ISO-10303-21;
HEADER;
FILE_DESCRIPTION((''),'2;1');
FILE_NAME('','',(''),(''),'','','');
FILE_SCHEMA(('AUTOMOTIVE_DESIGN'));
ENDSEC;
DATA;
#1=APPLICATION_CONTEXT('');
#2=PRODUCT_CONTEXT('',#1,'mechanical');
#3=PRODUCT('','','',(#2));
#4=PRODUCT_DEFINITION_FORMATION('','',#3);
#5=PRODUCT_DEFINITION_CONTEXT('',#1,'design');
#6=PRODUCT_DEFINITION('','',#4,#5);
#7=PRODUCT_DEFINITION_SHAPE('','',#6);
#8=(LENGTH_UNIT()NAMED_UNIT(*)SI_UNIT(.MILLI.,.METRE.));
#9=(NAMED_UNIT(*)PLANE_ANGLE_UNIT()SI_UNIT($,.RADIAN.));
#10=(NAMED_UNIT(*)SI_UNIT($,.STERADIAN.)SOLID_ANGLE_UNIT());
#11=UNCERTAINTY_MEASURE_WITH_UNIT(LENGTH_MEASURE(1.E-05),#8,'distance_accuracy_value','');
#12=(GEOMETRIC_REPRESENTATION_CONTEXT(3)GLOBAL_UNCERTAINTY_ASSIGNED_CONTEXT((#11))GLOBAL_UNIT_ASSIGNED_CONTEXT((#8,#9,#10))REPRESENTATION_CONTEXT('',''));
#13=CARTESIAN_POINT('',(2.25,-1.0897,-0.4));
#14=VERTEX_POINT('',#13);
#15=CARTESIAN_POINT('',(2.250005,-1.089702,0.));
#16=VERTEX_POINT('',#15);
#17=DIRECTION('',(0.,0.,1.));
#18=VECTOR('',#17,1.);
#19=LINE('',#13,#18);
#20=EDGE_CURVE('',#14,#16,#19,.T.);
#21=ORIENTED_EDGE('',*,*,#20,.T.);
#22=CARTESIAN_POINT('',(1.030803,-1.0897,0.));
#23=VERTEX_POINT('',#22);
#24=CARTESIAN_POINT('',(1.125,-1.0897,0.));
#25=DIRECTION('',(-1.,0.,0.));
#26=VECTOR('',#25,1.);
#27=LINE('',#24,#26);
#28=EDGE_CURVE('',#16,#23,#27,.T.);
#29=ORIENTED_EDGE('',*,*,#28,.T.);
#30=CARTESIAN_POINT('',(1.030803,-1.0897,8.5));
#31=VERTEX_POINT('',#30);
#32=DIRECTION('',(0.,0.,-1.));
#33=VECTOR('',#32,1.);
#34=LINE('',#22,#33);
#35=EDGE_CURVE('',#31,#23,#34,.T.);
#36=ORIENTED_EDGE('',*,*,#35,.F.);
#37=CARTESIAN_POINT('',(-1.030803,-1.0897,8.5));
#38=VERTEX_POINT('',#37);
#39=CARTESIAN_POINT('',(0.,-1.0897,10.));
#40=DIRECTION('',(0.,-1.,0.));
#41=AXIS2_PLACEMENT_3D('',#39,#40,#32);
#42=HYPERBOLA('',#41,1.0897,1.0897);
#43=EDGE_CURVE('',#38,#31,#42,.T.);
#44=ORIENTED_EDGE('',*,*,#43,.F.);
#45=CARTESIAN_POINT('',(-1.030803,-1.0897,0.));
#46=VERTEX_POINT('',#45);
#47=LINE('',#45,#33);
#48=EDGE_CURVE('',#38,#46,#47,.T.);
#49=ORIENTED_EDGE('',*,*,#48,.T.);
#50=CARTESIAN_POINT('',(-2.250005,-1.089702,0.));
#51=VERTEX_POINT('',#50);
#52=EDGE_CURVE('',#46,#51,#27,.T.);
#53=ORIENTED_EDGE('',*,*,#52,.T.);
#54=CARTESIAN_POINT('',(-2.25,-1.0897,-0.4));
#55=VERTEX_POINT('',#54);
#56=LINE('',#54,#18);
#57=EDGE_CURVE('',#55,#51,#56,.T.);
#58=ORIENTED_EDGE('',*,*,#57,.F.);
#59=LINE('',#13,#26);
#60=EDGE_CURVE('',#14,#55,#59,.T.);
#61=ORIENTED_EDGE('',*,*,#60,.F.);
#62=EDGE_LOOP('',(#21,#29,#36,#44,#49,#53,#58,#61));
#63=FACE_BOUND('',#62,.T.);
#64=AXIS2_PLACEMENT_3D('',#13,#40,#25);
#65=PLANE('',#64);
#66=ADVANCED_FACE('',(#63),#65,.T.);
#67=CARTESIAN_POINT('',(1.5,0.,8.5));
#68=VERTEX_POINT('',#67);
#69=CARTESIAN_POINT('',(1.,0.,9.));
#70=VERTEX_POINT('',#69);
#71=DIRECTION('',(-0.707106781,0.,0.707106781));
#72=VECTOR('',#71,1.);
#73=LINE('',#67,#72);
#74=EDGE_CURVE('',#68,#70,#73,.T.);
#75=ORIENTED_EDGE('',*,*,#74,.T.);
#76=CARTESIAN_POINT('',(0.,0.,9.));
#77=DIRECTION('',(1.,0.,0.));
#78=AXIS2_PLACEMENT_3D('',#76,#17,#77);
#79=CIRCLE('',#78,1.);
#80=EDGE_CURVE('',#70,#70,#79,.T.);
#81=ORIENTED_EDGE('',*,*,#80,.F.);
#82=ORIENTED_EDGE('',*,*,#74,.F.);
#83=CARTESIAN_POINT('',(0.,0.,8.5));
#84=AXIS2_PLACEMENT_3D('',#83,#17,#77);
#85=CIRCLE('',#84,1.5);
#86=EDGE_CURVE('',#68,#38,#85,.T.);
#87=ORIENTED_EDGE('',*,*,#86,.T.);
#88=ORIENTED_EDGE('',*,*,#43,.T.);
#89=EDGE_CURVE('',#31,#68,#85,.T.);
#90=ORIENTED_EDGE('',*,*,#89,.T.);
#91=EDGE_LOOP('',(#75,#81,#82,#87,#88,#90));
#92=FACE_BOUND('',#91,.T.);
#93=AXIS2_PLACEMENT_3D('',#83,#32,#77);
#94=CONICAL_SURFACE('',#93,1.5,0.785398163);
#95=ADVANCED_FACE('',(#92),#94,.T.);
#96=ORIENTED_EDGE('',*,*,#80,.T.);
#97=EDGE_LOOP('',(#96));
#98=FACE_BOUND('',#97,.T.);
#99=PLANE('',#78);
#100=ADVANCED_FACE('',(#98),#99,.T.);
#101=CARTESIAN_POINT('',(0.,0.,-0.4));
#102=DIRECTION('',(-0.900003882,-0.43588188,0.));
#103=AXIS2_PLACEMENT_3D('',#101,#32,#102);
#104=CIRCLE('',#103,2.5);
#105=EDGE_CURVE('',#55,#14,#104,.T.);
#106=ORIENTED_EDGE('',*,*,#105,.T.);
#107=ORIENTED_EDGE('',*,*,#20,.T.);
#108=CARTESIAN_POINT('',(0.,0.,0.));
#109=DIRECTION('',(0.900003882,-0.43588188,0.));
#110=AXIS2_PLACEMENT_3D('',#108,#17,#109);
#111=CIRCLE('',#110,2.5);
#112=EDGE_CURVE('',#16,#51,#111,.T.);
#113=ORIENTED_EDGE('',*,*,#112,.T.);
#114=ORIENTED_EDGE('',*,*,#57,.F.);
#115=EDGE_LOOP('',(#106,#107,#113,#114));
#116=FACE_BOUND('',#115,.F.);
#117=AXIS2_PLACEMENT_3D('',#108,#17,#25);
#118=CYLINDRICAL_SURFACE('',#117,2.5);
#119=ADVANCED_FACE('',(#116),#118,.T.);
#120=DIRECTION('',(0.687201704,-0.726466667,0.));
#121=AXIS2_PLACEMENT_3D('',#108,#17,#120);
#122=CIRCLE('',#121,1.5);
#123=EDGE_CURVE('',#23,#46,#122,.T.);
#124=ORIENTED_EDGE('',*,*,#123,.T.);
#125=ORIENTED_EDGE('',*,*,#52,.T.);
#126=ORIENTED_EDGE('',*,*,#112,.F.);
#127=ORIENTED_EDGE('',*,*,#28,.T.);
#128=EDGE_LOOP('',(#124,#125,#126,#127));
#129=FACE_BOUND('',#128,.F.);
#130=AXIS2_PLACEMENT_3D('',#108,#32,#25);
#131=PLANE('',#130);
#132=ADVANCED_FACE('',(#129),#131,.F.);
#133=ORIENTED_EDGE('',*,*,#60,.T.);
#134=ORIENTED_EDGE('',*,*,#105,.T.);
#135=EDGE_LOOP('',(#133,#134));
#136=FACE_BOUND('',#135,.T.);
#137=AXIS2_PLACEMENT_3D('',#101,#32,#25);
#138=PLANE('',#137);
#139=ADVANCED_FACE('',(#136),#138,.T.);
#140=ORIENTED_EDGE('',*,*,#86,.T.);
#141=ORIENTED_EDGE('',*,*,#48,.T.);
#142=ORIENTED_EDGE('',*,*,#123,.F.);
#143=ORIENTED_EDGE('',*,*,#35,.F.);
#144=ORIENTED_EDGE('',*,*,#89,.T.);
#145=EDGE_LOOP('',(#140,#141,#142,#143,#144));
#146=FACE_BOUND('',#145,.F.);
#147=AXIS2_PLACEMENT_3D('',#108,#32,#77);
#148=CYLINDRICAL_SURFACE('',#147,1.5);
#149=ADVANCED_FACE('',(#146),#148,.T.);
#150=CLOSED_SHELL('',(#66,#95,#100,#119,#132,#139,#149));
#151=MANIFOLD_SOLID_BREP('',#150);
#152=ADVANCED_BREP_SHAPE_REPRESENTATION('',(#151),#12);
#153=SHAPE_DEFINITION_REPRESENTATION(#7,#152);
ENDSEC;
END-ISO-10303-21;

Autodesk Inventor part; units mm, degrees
ref_plane "YZ Plane" through (0, 0, 0) normal (1, 0, 0) x (0, 1, 0)
ref_plane "XZ Plane" through (0, 0, 0) normal (0, 1, 0) x (-1, 0, 0)
ref_plane "XY Plane" through (0, 0, 0) normal (0, 0, 1) x (1, 0, 0)
sketch "Sketch1" plane through (0, 0, 0) normal (0, 0, 1) x (1, 0, 0)
  circle A0 centre (0, 0) radius 1.5
  dimension "d0" = 3
extrude "Extrusion1" add sketch "Sketch1" along normal blind 9
sketch "Sketch2" plane through (0, 0, 0) normal (0, 0, -1) x (-1, 0, 0)
  circle A0 centre (0, 0) radius 1.5 construction
  circle A1 centre (0, 0) radius 2.5
  dimension "d3" = 5
extrude "Extrusion2" add sketch "Sketch2" along normal blind 0.4
chamfer "Chamfer1" distance 0.5 angle 45 1 edges at (-1.5, 0, 9)
sketch "Sketch3" plane through (0, 0, -0.4) normal (0, 0, -1) x (-1, 0, 0)
  circle A0 centre (0, 0) radius 1.5 construction
  circle A1 centre (0, 0) radius 2.5 projected
  line L0 (-2.25, -1.0897) -> (2.25, -1.0897)
  dimension "d9" = 4.5
extrude "Extrusion3" cut sketch "Sketch3" against normal through all contours L0 A1 picked at (-0.1034, -1.5534)
properties part number "Spring_pin"
